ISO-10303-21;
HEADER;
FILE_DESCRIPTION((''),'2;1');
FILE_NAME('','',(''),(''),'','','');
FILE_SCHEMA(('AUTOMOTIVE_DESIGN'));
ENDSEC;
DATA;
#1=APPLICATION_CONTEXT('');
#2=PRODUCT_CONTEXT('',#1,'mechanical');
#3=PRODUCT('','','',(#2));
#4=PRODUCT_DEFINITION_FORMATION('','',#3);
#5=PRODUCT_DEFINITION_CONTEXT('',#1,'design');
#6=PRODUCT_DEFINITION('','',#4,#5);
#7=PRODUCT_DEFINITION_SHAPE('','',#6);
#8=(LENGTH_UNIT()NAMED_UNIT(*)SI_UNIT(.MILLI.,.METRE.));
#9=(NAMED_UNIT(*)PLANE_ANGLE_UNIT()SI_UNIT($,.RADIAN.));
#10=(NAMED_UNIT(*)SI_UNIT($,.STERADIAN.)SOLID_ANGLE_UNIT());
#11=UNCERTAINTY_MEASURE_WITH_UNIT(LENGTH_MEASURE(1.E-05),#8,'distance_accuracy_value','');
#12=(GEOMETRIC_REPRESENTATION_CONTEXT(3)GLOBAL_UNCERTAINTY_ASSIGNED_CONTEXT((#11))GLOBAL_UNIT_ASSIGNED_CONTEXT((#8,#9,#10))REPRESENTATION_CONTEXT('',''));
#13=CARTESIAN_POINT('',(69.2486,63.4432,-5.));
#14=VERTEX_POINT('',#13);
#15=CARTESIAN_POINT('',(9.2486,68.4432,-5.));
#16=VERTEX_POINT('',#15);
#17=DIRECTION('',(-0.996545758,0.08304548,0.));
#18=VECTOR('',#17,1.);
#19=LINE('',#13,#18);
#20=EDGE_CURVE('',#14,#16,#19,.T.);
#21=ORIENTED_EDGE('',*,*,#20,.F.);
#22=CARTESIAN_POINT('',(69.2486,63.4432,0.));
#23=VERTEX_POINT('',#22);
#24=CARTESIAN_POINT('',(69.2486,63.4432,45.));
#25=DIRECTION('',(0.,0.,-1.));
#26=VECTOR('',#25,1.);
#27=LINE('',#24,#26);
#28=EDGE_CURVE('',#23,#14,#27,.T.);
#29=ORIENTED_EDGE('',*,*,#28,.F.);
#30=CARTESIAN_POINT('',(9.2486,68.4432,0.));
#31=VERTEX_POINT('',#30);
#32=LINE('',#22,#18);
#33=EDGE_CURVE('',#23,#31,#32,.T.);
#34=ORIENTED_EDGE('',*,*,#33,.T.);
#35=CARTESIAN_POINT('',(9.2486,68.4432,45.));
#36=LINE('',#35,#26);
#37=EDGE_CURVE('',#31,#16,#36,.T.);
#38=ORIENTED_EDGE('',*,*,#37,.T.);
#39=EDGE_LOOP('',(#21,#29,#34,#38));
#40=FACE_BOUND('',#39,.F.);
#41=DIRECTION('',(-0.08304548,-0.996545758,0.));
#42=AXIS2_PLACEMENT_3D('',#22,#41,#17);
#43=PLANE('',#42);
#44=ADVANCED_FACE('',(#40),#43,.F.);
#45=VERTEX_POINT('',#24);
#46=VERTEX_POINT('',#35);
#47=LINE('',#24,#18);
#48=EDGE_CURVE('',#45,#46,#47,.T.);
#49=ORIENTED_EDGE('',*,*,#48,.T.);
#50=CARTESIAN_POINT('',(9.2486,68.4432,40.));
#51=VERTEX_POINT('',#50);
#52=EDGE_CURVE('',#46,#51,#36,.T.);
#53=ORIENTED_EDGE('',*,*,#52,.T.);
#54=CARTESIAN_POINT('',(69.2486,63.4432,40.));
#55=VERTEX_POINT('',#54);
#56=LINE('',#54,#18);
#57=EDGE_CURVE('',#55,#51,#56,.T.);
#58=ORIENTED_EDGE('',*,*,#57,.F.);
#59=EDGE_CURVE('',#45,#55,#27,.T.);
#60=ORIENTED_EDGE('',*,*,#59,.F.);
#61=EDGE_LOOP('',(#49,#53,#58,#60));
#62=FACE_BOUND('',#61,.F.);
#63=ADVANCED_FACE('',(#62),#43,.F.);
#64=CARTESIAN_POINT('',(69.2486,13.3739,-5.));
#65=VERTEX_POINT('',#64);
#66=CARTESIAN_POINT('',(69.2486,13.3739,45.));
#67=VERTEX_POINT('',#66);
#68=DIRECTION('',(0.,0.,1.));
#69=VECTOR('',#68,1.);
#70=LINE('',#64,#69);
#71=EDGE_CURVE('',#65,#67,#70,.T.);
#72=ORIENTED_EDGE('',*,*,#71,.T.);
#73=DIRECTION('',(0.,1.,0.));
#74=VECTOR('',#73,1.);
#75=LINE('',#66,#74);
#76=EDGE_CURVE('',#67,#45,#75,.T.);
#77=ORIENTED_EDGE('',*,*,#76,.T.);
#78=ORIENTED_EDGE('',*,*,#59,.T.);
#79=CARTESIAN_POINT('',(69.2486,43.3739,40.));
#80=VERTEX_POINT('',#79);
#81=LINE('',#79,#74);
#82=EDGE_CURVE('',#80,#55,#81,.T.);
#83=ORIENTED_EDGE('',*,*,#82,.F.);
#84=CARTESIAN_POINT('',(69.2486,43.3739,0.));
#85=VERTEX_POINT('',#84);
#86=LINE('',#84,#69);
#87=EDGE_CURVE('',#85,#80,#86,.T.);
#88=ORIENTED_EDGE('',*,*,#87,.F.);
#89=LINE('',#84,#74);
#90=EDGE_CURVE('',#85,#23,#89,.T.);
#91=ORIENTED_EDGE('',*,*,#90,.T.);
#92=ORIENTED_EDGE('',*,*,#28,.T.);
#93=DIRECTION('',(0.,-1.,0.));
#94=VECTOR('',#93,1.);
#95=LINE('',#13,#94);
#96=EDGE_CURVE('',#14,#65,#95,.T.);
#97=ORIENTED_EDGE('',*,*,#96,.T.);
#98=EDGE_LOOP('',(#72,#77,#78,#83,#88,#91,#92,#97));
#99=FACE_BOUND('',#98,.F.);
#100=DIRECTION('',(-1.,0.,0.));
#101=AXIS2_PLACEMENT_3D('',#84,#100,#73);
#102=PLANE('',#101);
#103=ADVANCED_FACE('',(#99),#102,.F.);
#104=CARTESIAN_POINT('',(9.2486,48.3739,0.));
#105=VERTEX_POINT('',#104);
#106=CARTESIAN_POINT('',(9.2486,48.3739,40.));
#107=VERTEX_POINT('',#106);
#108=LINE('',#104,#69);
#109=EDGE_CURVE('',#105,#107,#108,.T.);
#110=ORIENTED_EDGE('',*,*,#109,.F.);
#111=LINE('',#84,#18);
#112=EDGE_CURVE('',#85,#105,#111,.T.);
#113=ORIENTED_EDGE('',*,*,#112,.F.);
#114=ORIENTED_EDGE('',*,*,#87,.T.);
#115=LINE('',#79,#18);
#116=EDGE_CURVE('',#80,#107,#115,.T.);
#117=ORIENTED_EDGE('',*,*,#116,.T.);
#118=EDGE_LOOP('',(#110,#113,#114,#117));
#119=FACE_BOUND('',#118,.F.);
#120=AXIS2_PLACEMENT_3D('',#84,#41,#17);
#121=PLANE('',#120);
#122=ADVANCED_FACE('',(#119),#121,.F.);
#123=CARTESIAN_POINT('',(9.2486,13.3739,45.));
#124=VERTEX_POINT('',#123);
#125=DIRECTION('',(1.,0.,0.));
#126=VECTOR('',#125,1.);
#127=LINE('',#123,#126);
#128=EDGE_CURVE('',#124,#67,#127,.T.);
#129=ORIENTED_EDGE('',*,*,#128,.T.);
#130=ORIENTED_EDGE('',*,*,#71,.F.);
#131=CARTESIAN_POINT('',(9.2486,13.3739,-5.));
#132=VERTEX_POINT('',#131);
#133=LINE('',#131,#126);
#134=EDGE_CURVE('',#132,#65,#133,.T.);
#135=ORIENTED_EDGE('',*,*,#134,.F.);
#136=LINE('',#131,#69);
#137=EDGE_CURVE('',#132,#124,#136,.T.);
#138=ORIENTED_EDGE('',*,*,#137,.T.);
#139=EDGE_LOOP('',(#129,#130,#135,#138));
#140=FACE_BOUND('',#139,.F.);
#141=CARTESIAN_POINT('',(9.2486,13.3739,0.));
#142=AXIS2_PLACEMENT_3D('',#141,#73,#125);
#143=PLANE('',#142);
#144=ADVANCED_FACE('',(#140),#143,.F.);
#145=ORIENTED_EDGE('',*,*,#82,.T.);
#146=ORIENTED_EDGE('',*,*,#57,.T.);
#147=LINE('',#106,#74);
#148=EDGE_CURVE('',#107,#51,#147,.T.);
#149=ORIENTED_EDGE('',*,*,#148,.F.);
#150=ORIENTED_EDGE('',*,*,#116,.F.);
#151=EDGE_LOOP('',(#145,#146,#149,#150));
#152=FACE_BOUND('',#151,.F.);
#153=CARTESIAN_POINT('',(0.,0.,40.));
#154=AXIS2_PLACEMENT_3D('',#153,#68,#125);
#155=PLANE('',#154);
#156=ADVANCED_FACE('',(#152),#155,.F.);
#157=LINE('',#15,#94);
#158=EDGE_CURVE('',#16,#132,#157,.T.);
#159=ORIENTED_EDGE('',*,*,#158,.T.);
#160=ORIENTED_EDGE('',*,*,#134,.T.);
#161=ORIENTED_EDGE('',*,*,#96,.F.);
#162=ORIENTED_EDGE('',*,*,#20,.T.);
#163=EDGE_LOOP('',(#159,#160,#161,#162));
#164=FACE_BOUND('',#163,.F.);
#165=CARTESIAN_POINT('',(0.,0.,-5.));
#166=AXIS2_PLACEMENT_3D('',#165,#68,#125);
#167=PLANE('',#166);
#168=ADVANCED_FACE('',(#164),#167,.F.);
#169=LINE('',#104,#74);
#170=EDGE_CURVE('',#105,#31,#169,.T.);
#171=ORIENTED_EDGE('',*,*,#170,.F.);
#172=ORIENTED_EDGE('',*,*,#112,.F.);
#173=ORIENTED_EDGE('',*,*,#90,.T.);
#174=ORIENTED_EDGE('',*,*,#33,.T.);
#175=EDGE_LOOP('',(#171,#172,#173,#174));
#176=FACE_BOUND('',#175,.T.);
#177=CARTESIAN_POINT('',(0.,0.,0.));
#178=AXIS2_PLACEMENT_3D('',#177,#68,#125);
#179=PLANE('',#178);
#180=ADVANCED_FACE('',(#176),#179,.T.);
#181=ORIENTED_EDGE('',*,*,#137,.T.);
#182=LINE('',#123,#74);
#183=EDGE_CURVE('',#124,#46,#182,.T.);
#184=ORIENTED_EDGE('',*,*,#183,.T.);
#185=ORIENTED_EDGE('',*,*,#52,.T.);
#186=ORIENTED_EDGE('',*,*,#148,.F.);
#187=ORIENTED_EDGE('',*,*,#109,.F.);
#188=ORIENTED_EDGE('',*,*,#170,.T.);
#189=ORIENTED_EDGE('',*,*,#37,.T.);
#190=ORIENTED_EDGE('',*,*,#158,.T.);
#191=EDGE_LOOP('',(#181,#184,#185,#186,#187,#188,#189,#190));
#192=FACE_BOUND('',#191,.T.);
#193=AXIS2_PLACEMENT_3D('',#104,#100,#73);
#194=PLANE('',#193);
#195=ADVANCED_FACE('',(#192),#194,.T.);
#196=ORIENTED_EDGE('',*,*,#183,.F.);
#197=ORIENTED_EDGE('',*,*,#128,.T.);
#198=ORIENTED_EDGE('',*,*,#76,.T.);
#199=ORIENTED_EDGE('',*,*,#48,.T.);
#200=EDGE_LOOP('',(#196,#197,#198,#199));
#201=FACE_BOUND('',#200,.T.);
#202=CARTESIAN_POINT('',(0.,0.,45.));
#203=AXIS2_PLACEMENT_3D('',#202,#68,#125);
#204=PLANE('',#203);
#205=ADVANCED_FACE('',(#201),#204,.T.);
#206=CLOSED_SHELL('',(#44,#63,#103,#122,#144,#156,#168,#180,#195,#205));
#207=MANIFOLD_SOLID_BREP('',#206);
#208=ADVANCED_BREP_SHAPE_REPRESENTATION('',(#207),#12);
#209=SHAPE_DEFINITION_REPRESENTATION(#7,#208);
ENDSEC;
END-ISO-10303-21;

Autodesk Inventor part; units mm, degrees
ref_plane "YZ Plane" through (0, 0, 0) normal (1, 0, 0) x (0, 1, 0)
ref_plane "XZ Plane" through (0, 0, 0) normal (0, 1, 0) x (-1, 0, 0)
ref_plane "XY Plane" through (0, 0, 0) normal (0, 0, 1) x (1, 0, 0)
sketch "Sketch1" plane through (0, 0, 0) normal (0, 0, 1) x (1, 0, 0)
  line L0 (9.2486, 13.3739) -> (9.2486, 48.3739)
  line L1 (9.2486, 13.3739) -> (69.2486, 13.3739)
  line L2 (69.2486, 13.3739) -> (69.2486, 43.3739)
  line L3 (69.2486, 43.3739) -> (9.2486, 48.3739)
  line L4 (69.2486, 63.4432) -> (9.2486, 68.4432)
  line L5 (9.2486, 48.3739) -> (9.2486, 68.4432)
  line L6 (69.2486, 43.3739) -> (69.2486, 63.4432)
  point P0 (0, 0)
  dimension "d0" = 35
  dimension "d1" = 60
  dimension "d2" = 30
  dimension "d3" = 20
extrude "Extrusion1" add sketch "Sketch1" along normal blind 45 and the other way blind 5 contours L0 L3 L2 L1
extrude "Extrusion2" add sketch "Sketch1" against normal blind 5 contours L5 L4 L6 L3
extrude "Extrusion3" add sketch "Sketch1" along normal blind 45 contours L5 L4 L6 L3
extrude "Extrusion4" cut sketch "Sketch1" along normal blind 40 contours L5 L4 L6 L3
properties part number "collectionslideintoscrew"
